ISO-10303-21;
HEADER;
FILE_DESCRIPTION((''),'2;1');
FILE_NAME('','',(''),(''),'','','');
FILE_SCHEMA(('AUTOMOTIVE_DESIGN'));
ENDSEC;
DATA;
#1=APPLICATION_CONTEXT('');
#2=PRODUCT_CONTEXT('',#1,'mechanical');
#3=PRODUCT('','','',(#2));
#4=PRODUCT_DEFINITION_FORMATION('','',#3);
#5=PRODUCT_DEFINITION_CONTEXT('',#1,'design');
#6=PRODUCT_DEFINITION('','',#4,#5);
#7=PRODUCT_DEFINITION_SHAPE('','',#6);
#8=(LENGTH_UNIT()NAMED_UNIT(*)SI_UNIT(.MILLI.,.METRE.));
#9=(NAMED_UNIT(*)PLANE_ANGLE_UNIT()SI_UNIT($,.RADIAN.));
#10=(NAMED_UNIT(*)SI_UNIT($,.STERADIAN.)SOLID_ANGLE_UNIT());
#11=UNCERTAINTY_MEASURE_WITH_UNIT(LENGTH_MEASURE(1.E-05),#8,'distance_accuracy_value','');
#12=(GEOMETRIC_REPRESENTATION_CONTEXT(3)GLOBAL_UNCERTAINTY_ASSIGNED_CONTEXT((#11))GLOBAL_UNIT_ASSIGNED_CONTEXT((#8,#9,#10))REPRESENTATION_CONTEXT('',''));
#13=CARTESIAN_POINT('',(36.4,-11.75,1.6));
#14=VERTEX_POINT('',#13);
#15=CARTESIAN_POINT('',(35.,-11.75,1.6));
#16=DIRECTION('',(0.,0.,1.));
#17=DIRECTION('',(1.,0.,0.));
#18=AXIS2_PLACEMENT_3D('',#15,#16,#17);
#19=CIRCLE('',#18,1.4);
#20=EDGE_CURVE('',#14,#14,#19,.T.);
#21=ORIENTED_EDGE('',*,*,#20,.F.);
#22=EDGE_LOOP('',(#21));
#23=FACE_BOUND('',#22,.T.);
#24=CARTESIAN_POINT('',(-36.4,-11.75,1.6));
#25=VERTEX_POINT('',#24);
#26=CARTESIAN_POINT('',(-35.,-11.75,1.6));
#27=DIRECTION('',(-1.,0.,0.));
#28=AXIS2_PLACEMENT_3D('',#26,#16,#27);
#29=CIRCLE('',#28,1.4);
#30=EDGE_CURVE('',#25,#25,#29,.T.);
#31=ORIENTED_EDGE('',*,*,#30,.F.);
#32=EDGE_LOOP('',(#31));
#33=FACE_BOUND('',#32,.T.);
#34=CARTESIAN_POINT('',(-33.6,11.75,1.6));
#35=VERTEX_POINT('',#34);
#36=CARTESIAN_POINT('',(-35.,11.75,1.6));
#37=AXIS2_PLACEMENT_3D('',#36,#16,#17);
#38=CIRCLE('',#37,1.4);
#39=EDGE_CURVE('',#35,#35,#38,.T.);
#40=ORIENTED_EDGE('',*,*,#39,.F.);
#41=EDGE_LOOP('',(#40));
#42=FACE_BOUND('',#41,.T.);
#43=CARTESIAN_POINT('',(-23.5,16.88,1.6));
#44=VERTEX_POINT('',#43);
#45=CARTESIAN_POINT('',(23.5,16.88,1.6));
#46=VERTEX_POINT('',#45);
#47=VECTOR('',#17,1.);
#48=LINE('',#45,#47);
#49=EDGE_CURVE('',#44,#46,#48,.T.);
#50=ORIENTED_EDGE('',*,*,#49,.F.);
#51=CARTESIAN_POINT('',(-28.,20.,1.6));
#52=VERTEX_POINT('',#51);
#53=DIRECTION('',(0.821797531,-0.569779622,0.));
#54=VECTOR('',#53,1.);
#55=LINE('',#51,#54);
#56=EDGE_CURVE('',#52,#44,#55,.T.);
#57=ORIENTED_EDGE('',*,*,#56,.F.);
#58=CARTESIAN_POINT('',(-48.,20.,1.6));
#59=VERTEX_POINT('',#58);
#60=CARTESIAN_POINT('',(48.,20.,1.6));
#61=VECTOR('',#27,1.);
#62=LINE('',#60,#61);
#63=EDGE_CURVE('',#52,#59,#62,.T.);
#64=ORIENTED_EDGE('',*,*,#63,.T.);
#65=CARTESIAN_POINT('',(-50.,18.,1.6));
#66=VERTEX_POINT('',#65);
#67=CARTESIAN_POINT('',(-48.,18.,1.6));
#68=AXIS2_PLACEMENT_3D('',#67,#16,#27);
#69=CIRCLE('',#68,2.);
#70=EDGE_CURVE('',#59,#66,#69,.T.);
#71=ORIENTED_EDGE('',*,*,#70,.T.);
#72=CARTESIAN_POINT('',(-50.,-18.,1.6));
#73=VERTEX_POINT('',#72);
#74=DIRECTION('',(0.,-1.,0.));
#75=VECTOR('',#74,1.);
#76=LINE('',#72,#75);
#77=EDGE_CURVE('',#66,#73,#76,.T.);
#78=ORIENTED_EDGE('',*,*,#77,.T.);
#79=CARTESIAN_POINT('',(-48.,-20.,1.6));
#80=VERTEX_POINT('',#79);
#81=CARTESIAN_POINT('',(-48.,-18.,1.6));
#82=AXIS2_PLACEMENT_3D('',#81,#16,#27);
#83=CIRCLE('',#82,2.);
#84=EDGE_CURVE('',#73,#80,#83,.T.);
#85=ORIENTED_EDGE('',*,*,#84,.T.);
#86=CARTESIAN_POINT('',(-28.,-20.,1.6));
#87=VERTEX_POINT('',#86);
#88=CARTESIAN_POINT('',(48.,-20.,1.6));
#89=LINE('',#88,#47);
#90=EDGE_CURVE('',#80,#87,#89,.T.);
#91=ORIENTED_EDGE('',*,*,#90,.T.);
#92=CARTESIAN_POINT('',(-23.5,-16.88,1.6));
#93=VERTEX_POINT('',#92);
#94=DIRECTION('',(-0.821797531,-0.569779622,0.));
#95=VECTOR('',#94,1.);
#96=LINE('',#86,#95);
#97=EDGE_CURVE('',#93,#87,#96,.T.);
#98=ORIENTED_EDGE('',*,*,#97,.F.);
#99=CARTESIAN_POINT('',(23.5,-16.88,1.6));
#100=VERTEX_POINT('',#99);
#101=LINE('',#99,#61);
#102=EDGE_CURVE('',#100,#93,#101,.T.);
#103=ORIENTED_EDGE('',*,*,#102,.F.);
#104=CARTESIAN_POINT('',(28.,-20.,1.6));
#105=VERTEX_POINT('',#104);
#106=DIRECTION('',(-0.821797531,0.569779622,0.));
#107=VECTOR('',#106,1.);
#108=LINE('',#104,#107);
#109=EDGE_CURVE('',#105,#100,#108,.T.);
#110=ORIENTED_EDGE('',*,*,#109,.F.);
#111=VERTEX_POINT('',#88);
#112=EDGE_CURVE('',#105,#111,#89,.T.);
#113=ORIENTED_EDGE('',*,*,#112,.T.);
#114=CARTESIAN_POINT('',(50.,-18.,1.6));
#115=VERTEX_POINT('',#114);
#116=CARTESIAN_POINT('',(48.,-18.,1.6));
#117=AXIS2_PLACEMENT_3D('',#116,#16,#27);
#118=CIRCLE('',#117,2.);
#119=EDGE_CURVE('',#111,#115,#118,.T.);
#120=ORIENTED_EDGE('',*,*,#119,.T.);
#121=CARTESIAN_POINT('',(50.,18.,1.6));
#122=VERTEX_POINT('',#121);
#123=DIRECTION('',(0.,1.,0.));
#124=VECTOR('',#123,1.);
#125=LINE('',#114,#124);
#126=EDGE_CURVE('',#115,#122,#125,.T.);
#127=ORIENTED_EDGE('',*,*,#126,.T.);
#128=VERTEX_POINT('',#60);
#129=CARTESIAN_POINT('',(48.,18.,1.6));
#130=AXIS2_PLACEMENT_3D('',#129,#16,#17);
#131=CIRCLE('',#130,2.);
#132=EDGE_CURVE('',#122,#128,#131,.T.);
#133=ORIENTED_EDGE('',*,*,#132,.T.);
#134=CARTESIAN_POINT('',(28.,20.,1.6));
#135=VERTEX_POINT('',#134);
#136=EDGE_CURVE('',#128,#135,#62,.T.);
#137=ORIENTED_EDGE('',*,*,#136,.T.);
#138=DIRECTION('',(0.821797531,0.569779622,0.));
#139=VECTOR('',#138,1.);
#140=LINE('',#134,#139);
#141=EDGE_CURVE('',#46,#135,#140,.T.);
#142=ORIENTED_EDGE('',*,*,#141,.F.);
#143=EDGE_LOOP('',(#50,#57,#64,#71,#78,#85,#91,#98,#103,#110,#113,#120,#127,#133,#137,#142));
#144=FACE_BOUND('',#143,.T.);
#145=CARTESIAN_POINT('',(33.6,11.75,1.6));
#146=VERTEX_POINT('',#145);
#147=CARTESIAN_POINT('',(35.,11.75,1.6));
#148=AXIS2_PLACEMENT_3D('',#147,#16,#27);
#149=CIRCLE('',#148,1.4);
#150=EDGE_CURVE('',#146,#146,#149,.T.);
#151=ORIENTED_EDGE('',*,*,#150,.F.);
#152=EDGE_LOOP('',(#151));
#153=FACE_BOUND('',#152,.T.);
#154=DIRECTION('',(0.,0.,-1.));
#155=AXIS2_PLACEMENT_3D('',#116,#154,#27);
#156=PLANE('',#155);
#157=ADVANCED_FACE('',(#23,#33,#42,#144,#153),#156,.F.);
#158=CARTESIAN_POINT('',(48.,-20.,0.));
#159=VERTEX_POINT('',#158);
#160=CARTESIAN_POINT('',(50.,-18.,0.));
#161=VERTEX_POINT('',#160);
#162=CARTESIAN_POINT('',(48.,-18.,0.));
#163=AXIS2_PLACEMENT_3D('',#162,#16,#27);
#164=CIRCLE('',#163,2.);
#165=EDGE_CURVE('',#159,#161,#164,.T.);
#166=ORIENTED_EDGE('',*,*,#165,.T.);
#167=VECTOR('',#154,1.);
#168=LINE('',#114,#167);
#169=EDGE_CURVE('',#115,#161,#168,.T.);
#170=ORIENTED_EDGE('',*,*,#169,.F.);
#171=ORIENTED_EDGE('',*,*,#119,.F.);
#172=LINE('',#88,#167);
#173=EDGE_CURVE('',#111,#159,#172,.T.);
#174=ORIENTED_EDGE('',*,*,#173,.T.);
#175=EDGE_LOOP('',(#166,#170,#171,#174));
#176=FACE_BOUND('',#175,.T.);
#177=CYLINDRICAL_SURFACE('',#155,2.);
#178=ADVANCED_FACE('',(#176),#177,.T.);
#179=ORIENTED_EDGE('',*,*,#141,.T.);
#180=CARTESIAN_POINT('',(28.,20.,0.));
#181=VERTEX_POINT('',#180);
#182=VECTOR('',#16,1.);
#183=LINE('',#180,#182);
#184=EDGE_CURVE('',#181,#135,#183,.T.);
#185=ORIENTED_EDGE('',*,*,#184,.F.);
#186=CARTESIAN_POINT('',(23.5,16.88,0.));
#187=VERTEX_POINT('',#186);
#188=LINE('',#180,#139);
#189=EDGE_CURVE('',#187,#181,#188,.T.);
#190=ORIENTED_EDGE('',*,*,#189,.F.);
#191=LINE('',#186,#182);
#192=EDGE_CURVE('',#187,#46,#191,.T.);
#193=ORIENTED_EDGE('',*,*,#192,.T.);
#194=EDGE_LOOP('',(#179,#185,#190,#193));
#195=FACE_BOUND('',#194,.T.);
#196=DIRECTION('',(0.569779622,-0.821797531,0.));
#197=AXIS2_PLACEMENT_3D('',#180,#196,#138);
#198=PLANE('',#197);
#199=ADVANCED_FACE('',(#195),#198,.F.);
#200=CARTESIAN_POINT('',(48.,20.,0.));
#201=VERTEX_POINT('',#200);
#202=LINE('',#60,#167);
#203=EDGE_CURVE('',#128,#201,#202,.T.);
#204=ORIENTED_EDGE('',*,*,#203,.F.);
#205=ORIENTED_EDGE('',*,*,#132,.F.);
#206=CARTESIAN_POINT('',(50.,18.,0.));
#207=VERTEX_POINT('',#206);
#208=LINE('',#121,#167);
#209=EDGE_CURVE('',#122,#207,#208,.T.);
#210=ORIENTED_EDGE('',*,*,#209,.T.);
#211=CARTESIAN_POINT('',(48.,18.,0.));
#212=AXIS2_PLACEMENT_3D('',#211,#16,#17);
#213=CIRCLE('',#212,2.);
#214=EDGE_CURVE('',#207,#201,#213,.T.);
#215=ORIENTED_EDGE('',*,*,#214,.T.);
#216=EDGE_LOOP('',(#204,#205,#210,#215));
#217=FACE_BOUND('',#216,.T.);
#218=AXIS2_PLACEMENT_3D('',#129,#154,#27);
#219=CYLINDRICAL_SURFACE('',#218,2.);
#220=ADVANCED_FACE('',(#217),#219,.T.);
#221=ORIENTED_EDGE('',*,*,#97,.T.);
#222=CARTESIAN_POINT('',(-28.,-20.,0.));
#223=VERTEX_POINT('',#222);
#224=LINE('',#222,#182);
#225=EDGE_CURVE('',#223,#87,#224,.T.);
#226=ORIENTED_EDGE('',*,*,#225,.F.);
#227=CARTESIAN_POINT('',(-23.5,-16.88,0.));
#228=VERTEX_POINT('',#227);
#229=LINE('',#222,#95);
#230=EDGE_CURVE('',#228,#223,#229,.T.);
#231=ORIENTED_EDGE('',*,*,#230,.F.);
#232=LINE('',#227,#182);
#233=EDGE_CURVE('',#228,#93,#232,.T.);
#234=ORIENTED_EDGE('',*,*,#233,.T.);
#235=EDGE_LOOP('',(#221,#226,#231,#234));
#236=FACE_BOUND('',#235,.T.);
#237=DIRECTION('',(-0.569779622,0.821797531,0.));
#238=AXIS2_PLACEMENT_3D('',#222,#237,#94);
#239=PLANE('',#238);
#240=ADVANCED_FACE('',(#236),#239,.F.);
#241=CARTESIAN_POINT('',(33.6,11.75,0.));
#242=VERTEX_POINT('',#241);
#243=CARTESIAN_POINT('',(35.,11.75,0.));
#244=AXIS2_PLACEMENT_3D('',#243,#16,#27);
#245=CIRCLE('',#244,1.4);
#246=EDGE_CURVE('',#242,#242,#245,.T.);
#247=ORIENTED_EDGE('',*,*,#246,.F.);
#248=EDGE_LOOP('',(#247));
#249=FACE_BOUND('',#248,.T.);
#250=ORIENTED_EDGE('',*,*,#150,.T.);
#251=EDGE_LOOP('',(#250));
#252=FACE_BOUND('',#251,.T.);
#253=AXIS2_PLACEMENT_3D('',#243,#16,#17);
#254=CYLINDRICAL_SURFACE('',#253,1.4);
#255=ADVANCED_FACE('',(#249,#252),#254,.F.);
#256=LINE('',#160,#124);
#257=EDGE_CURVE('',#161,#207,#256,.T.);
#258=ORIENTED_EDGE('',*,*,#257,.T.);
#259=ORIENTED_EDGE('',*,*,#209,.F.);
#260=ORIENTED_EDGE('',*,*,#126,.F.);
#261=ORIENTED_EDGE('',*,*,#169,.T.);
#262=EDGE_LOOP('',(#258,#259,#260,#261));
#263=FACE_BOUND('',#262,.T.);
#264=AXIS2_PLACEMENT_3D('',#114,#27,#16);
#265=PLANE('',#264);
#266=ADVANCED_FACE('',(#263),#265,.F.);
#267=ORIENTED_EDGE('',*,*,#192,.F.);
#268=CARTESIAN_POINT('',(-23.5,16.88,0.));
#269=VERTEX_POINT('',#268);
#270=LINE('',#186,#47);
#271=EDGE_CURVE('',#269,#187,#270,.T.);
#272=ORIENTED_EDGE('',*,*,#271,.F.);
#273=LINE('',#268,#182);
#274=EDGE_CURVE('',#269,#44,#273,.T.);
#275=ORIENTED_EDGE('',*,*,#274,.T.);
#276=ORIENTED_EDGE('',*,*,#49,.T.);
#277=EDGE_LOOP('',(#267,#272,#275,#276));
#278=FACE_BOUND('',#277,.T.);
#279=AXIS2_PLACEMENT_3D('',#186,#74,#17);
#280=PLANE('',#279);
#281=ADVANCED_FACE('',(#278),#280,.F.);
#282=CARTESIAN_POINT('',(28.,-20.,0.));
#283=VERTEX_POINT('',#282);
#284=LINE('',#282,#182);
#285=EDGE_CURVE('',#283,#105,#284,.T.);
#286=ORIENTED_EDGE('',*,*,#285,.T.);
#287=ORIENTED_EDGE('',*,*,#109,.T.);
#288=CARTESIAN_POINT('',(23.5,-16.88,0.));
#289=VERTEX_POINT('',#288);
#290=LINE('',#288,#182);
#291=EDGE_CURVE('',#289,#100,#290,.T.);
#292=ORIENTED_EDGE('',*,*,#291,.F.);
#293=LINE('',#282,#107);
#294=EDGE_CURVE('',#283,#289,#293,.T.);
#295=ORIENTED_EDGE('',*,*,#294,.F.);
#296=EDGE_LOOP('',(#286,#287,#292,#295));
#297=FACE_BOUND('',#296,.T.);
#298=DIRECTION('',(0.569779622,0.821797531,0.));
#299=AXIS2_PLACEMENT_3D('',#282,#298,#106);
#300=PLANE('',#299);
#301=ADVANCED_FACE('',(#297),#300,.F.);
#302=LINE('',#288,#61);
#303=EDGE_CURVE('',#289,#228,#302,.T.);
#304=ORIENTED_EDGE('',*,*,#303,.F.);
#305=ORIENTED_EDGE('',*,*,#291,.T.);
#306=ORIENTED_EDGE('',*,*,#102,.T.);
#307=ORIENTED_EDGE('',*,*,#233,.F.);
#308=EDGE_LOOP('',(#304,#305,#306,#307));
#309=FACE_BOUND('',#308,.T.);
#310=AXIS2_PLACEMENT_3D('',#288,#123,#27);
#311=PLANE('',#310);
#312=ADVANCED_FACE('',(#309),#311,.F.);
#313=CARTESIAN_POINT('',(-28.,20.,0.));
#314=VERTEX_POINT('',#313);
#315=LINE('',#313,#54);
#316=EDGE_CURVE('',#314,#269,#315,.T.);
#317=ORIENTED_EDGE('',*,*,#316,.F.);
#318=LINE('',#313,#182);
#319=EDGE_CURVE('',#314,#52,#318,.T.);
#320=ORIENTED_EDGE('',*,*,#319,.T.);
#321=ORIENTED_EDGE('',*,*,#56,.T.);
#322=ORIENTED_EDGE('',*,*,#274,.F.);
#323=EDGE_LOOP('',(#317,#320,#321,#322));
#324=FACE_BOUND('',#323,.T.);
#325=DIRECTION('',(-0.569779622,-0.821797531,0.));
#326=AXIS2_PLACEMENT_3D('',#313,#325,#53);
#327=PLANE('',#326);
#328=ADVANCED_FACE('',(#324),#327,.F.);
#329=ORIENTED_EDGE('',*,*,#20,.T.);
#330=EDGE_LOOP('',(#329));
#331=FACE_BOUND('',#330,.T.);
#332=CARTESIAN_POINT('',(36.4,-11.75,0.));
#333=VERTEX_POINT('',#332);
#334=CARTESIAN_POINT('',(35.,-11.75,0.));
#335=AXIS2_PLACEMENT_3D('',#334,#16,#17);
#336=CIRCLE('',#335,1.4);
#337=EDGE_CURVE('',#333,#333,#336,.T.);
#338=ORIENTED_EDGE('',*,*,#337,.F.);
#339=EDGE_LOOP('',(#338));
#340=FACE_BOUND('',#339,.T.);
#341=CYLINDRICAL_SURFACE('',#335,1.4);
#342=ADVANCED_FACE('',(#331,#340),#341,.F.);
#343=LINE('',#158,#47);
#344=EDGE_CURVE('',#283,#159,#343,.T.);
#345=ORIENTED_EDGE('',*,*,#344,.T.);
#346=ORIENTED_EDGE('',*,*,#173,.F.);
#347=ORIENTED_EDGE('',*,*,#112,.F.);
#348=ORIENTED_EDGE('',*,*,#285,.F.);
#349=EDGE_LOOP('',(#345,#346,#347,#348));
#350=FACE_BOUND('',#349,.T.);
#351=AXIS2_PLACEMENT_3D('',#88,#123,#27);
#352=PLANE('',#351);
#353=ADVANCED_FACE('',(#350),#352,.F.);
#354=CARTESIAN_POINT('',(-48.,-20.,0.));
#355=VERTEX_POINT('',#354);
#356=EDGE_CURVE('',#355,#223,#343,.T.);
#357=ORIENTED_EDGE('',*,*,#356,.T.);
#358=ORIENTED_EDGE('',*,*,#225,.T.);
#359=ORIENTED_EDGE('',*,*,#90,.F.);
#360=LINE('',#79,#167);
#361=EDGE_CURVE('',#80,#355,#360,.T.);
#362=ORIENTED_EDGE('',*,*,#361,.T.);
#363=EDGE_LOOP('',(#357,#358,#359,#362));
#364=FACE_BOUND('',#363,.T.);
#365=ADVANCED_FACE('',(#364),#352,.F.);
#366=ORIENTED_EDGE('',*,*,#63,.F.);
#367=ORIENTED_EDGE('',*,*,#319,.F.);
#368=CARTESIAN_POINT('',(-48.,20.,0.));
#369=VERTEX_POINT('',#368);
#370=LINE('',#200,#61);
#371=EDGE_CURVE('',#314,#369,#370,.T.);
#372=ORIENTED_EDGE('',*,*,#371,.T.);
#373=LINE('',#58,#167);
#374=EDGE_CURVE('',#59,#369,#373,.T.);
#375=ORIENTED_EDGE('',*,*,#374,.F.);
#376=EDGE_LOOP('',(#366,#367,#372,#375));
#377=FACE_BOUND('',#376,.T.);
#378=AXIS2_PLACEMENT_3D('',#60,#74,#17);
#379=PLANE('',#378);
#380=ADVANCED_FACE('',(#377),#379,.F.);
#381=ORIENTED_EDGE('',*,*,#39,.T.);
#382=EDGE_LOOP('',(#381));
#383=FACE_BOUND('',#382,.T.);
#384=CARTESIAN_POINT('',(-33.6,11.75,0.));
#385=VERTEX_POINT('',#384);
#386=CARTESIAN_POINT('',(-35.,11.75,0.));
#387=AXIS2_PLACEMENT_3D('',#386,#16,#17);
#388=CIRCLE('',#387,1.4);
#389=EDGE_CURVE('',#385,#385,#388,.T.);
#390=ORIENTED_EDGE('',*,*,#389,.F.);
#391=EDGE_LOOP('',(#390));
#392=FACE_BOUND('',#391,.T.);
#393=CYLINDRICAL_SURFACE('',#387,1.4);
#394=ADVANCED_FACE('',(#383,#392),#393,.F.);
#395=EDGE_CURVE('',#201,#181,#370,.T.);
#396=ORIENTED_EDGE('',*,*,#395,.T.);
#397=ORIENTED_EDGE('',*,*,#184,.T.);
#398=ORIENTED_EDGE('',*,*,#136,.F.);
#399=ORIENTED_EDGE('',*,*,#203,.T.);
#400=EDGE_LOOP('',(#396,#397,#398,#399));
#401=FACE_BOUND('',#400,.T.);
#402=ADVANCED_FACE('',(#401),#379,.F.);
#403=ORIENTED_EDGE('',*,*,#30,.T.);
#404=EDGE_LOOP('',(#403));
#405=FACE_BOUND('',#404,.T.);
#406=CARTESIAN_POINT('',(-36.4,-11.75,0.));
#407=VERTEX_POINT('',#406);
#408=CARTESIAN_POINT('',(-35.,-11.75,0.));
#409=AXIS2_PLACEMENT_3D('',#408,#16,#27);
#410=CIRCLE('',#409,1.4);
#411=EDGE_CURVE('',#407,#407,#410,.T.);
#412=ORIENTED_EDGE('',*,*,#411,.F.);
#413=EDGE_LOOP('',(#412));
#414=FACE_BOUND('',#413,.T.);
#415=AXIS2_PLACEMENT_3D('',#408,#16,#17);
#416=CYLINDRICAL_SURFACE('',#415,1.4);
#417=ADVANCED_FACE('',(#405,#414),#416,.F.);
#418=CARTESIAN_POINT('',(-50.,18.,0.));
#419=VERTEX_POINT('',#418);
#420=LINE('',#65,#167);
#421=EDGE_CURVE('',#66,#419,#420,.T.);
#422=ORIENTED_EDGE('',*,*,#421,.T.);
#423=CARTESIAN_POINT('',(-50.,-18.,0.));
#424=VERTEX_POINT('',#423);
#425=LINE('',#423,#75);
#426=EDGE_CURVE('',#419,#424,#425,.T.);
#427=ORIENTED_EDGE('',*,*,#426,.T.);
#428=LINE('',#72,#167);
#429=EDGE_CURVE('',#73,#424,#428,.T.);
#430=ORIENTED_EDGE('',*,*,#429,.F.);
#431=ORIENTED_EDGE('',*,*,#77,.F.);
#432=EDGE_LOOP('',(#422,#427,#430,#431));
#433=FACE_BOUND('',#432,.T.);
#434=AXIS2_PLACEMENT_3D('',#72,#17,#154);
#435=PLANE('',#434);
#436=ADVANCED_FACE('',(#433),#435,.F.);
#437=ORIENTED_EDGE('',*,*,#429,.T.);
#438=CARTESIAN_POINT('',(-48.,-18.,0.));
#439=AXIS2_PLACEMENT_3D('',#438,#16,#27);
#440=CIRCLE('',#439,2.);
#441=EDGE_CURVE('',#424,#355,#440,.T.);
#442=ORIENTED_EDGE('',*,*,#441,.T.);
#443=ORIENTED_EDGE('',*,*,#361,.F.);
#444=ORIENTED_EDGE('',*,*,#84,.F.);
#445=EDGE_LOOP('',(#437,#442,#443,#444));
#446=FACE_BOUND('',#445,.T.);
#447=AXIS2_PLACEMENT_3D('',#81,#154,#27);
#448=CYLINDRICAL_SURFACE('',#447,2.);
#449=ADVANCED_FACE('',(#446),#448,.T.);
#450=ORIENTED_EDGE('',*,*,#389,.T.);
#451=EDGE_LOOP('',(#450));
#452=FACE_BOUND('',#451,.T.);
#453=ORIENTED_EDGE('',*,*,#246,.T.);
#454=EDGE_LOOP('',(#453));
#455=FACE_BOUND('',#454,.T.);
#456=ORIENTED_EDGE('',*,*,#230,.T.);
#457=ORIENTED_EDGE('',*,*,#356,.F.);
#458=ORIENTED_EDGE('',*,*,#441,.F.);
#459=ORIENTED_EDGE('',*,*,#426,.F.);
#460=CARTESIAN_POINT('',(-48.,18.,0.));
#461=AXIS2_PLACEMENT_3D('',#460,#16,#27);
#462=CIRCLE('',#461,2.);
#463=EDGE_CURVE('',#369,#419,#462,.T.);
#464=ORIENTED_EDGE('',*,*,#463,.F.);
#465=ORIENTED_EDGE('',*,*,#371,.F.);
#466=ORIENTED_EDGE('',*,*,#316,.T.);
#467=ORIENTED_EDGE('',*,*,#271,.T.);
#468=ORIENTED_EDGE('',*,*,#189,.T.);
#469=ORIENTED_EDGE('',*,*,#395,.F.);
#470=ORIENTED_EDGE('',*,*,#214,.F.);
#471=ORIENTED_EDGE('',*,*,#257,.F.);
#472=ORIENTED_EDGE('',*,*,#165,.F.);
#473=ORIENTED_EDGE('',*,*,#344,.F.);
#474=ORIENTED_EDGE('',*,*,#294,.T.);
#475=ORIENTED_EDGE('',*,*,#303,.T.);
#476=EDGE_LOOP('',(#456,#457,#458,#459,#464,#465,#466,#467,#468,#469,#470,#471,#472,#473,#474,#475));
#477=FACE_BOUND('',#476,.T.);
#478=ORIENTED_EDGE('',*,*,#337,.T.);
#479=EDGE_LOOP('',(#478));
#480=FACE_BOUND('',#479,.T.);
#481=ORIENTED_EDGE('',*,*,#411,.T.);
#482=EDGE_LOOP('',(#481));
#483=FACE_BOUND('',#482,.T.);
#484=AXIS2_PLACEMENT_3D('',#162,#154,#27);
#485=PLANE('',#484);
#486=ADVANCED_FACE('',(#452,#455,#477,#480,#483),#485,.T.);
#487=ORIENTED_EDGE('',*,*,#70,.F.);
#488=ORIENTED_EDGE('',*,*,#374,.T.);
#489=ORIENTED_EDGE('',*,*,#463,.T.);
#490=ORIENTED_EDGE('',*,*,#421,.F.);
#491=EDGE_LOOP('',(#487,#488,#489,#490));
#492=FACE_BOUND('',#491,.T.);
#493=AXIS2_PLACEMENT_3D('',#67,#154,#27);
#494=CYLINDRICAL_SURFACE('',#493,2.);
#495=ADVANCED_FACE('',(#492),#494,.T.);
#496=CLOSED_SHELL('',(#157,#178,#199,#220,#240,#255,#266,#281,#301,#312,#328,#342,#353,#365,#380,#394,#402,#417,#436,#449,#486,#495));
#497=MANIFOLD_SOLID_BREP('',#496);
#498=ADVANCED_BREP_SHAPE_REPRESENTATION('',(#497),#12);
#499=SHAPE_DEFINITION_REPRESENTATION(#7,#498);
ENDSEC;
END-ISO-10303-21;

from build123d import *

# Parameters (mm, degrees)
BOSS_EXTRUDE1_DEPTH = 1.6
SKETCH2_R           = 1.4
CUT_EXTRUDE1_DEPTH  = 1.6


with BuildPart() as part:
    # Sketch1 → Boss-Extrude1 (new body)
    with BuildSketch(Plane.XY):
        with BuildLine():
            Line((48, -20), (-48, -20))
            ThreePointArc((-48, -20), (-49.414213562, -19.414213562), (-50, -18))
            Line((-50, -18), (-50, 18))
            ThreePointArc((-50, 18), (-49.414213562, 19.414213562), (-48, 20))
            Line((-48, 20), (48, 20))
            ThreePointArc((48, 20), (49.414213562, 19.414213562), (50, 18))
            Line((50, 18), (50, -18))
            ThreePointArc((50, -18), (49.414213562, -19.414213562), (48, -20))
        make_face()
    extrude(amount=BOSS_EXTRUDE1_DEPTH)

    # Sketch2 → Cut-Extrude1 (cut)
    with BuildSketch(Plane.XY.offset(1.6)):
        with Locations((-35, 11.75)):
            Circle(SKETCH2_R)
        with Locations(Location((-35, -11.75, 0), (0, 0, 180))):
            Circle(SKETCH2_R)
        with Locations((35, -11.75)):
            Circle(SKETCH2_R)
        with Locations(Location((35, 11.75, 0), (0, 0, 180))):
            Circle(SKETCH2_R)
        Polygon((23.5, 16.88), (-23.5, 16.88), (-28, 20), (28, 20), align=None)
        Polygon((28, -20), (23.5, -16.88), (-23.5, -16.88), (-28, -20), align=None)
    extrude(amount=-CUT_EXTRUDE1_DEPTH, mode=Mode.SUBTRACT)


solid = part.part
